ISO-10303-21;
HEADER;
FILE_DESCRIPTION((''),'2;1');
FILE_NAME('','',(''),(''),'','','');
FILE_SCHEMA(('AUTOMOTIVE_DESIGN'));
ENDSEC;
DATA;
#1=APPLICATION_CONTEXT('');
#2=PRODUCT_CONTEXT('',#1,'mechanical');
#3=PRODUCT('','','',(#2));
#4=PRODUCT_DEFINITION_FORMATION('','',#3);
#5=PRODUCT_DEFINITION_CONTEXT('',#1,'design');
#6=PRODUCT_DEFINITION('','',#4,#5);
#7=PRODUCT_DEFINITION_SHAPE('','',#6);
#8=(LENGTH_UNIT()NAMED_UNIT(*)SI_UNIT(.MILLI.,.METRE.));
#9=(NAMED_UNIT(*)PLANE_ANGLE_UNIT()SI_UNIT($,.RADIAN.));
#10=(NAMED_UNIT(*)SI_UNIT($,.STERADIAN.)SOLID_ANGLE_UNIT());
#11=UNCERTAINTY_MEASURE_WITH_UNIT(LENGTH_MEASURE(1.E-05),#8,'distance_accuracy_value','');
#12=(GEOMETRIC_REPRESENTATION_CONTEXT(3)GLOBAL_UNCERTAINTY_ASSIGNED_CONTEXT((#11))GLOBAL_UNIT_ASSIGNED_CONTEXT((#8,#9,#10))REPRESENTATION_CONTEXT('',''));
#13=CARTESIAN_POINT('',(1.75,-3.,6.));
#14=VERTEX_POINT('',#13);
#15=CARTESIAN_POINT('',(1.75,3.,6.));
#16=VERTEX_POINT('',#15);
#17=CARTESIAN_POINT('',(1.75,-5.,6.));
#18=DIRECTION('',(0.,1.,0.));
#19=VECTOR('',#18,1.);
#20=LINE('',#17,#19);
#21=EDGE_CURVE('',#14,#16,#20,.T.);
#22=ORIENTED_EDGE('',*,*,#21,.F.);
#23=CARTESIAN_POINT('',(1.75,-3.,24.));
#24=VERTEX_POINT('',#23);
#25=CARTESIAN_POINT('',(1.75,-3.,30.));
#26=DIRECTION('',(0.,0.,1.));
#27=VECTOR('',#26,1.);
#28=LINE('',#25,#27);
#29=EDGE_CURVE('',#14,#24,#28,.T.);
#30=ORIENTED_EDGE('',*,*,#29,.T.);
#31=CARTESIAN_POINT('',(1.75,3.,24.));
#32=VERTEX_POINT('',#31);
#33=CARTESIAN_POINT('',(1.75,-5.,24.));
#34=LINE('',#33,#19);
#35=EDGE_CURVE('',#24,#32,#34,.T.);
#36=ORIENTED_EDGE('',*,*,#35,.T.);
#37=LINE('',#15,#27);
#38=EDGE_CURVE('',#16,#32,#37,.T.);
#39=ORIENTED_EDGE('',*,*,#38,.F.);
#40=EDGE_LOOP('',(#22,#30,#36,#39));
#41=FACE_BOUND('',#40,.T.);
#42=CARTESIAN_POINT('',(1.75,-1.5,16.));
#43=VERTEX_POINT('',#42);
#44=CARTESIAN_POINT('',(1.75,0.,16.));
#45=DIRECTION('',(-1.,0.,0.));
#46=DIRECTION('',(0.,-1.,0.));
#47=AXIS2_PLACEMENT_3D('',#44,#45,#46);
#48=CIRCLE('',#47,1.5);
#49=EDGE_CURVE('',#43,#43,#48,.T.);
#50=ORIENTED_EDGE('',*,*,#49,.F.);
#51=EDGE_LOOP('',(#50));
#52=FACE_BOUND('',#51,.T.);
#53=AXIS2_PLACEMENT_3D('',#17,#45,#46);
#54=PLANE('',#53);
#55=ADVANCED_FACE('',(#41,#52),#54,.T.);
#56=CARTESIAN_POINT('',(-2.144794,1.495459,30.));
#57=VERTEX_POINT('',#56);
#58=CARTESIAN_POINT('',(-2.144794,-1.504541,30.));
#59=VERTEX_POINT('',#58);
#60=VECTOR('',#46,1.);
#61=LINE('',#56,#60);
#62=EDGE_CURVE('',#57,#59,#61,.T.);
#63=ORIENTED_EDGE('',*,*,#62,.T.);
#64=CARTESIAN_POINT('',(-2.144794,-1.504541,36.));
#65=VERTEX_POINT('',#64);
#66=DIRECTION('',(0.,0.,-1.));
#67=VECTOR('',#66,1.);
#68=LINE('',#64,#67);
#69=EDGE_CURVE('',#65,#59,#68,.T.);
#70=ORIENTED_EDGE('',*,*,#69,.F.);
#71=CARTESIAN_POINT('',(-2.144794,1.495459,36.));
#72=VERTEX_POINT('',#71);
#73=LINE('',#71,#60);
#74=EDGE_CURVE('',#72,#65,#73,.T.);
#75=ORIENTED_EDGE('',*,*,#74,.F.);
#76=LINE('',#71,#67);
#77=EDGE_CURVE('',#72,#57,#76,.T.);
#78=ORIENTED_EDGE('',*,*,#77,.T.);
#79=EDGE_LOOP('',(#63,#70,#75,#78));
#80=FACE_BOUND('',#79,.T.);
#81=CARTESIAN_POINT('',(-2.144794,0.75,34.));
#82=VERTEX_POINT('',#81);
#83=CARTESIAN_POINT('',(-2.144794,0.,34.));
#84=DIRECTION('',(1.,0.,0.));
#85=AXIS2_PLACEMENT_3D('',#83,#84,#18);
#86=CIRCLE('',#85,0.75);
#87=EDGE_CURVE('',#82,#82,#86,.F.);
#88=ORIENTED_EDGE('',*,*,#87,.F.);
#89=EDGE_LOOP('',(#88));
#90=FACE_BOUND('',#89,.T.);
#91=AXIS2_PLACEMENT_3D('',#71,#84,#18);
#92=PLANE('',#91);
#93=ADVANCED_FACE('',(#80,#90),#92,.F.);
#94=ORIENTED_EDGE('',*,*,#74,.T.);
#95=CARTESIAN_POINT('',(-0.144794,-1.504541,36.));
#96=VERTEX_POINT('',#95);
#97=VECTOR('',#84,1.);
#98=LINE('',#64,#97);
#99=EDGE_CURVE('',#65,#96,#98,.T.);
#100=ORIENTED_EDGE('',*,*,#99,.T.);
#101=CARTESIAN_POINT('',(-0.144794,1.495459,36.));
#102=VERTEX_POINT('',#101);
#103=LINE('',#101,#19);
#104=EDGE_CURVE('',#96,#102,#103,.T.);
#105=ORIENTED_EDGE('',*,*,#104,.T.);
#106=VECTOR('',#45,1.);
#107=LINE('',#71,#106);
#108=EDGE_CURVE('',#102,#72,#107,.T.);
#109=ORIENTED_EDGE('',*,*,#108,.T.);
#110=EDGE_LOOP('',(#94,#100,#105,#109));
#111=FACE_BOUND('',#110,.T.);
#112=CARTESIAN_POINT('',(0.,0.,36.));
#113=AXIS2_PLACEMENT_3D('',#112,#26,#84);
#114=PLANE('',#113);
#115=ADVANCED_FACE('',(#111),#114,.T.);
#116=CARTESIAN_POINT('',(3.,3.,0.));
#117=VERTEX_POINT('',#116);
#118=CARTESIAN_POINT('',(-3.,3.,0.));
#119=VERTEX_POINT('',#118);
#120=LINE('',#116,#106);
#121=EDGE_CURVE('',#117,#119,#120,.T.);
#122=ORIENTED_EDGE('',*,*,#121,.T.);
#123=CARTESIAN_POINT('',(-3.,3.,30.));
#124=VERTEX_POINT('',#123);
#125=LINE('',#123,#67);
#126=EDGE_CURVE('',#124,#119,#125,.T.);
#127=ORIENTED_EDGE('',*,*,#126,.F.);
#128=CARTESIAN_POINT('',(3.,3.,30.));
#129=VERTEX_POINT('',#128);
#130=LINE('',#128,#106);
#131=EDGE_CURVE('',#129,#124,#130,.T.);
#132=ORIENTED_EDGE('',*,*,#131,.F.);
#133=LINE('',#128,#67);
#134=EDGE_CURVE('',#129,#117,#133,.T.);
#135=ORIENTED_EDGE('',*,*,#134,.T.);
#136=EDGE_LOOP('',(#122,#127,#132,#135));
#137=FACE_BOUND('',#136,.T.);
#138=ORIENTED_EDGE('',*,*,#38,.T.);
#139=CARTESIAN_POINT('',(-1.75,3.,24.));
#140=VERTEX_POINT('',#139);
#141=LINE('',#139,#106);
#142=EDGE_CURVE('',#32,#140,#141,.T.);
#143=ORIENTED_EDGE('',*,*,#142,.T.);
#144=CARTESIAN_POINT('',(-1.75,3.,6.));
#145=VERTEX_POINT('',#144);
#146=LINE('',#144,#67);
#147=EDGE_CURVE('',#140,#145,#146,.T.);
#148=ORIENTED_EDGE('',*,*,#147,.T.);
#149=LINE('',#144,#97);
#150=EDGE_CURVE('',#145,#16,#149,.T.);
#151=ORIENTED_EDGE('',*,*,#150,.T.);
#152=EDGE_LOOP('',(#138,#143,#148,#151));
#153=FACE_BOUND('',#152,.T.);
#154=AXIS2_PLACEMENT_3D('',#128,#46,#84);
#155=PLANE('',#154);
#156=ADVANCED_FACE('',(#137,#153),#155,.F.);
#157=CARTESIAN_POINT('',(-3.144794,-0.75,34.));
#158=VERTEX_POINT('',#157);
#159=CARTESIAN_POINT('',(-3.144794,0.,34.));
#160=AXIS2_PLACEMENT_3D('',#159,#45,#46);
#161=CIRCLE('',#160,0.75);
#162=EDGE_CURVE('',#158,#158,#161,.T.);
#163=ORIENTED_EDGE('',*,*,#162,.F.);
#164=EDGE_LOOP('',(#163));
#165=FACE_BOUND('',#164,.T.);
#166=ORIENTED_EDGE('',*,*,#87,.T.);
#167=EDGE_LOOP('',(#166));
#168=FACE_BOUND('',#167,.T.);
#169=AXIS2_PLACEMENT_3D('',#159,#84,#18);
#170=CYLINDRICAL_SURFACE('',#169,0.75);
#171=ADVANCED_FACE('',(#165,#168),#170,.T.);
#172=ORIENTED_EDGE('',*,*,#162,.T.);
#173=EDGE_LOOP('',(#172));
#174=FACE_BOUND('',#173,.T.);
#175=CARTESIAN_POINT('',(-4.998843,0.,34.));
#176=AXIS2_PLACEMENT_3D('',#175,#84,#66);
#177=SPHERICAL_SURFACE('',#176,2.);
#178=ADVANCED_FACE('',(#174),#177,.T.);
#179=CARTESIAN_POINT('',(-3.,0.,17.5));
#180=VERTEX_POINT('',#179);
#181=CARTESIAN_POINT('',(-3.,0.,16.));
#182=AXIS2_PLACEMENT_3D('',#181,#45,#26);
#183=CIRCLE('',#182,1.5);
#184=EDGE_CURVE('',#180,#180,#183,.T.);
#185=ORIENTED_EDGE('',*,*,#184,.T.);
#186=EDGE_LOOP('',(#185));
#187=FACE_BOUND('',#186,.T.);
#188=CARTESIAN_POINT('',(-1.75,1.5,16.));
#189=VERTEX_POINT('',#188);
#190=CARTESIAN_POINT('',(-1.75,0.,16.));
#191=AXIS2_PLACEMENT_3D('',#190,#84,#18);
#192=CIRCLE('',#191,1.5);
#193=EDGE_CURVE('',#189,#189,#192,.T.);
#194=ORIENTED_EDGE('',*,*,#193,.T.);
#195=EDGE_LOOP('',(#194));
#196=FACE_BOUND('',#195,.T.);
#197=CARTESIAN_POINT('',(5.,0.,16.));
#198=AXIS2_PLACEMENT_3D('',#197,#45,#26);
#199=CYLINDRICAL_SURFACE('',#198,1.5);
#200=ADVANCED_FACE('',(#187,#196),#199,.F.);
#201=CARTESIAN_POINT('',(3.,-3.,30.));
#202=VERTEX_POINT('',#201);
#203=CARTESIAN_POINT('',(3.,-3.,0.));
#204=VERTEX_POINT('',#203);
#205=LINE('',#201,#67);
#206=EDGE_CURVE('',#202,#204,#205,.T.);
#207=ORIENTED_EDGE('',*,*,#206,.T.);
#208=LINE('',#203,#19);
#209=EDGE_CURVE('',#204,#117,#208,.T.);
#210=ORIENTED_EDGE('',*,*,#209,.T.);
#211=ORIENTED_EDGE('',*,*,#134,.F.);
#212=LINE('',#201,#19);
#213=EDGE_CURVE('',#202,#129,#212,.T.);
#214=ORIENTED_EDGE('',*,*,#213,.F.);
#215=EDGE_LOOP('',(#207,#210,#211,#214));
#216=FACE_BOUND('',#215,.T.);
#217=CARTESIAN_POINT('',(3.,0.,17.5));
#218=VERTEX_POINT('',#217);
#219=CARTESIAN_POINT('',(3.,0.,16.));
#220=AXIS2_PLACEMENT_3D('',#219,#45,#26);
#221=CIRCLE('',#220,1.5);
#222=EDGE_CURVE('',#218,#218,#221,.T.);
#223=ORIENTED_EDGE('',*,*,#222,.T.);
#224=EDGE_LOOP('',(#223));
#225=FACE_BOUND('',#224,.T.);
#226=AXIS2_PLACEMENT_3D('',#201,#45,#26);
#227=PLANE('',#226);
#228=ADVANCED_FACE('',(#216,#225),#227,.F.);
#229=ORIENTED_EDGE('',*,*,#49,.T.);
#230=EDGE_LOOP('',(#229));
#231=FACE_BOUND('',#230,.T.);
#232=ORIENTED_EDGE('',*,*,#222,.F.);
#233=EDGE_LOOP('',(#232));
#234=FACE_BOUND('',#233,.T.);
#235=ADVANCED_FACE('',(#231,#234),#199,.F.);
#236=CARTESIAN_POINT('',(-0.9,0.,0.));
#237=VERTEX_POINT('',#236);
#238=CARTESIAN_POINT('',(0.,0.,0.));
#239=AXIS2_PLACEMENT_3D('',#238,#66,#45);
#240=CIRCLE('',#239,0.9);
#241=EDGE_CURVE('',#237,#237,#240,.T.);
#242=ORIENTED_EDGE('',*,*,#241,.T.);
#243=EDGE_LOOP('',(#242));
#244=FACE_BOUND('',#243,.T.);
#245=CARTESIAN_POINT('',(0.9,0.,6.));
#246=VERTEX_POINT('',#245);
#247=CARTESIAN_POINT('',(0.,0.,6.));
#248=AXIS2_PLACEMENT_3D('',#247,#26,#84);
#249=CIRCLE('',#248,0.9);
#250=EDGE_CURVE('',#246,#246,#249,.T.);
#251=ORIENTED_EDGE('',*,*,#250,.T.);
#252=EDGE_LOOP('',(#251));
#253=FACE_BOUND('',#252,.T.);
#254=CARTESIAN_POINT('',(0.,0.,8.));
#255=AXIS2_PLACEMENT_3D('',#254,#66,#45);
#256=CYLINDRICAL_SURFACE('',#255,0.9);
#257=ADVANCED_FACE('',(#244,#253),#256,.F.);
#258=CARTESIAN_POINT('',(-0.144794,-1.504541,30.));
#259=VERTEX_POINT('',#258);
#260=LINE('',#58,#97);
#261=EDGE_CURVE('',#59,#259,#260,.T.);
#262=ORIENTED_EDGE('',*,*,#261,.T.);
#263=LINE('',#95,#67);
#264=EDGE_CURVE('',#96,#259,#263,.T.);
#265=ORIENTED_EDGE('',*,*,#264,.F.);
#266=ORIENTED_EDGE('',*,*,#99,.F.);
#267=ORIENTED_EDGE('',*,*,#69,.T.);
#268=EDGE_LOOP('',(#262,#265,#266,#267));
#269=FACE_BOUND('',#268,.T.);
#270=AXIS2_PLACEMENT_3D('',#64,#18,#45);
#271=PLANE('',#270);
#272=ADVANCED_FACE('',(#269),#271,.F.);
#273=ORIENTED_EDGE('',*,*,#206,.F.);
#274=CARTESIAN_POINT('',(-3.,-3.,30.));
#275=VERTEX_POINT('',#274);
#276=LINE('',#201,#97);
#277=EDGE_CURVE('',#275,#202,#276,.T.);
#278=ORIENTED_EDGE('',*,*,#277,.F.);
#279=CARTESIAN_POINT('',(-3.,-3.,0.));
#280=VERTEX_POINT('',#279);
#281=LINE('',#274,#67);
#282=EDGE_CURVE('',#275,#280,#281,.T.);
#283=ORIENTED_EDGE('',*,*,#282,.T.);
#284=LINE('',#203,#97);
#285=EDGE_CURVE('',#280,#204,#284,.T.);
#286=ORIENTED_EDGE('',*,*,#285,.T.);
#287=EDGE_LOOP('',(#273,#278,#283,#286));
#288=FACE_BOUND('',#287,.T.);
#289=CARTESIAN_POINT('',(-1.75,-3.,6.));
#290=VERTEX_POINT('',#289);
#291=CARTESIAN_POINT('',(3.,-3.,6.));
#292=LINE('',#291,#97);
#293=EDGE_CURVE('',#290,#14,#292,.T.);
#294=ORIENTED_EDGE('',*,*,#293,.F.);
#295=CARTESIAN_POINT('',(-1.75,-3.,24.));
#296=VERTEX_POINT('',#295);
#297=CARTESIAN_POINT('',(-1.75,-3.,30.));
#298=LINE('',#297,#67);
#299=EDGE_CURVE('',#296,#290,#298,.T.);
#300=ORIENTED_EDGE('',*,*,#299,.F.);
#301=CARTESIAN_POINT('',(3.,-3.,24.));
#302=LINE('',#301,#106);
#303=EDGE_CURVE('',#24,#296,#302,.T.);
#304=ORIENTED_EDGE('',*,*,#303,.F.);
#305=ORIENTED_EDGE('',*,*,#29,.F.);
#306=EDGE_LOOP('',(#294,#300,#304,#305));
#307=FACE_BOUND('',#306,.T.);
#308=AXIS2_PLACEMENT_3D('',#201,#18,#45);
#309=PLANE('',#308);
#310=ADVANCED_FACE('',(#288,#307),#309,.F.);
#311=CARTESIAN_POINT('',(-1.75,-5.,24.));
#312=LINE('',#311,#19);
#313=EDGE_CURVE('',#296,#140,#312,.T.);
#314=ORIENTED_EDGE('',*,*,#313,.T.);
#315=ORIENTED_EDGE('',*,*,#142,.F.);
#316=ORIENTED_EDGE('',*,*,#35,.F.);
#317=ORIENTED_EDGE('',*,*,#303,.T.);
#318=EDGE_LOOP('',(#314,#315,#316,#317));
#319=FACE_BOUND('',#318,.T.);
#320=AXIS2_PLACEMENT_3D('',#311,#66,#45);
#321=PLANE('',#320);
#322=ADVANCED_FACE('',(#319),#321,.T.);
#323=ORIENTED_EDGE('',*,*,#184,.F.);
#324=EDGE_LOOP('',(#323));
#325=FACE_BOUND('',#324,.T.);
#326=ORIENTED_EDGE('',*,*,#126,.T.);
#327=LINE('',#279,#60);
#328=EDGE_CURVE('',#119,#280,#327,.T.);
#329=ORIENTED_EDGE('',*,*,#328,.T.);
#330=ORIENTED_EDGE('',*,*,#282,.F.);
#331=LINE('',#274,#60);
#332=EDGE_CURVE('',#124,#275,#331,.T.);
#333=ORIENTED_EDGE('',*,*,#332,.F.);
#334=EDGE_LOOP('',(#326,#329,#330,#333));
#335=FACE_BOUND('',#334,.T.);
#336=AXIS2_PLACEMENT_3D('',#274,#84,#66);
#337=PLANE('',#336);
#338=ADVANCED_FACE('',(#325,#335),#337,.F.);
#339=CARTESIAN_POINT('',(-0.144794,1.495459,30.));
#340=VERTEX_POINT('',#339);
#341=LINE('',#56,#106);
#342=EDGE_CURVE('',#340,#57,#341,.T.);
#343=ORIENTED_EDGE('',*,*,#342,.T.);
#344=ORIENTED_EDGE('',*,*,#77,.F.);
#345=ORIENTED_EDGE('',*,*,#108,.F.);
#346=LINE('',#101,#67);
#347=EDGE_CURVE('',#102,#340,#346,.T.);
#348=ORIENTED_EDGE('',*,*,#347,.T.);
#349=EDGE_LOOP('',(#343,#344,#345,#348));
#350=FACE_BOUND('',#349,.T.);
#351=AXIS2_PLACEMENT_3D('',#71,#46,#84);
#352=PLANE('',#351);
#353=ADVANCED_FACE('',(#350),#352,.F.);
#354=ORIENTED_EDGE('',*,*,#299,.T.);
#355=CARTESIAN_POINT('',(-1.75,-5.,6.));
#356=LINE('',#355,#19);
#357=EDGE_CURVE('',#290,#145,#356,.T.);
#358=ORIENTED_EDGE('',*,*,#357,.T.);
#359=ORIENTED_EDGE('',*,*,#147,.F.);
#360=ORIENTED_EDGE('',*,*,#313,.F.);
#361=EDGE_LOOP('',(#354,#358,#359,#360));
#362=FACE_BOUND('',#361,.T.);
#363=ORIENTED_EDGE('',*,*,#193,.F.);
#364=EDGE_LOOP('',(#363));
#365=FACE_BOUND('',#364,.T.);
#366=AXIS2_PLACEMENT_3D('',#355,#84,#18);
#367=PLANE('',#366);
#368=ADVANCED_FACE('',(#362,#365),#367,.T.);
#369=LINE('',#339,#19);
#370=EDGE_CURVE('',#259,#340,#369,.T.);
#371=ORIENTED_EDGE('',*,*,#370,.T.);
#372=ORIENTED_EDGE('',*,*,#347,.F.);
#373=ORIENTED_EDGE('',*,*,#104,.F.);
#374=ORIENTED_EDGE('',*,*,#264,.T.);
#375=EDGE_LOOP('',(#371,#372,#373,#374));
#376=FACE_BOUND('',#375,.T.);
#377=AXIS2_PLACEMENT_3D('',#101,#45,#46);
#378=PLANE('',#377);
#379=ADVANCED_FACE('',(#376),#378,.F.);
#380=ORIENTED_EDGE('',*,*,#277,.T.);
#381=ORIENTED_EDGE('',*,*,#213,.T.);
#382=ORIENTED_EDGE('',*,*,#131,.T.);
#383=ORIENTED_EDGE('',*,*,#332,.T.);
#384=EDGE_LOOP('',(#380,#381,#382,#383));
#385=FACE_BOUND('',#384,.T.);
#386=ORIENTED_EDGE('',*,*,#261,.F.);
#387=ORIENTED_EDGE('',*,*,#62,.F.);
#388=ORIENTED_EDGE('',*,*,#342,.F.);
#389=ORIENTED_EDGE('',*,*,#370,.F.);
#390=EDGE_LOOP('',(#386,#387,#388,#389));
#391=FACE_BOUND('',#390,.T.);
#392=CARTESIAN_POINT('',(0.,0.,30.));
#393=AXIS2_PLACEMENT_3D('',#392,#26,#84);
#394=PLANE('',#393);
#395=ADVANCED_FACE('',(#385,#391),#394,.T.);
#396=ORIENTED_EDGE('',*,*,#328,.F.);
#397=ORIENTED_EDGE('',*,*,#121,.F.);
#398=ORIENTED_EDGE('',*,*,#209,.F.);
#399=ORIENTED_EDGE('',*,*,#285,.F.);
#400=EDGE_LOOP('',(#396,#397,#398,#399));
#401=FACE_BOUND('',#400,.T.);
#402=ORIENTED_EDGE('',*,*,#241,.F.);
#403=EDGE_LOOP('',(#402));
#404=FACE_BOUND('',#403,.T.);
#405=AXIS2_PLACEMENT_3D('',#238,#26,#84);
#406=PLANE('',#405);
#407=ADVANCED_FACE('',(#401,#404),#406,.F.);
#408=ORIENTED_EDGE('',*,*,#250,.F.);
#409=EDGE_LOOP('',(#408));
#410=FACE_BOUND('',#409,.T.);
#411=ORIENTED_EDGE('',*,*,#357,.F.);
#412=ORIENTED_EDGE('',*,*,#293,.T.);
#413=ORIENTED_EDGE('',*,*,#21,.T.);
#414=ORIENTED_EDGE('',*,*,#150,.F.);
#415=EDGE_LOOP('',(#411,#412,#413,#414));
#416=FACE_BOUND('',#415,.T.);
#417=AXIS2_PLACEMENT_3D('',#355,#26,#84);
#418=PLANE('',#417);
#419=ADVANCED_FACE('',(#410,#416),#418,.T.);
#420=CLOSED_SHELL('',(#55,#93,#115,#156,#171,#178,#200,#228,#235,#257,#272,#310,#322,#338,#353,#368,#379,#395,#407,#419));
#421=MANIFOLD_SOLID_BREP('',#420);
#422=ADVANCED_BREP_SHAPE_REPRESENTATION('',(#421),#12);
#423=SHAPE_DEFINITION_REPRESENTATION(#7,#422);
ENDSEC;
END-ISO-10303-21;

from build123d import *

# Parameters (mm, degrees)
SKETCH_1_W          = 6
SKETCH_1_H          = 6
EXTRUDE_1_DEPTH     = 30
SKETCH_2_W          = 2
SKETCH_2_H          = 3
EXTRUDE_2_DEPTH     = 6
SKETCH_3_R          = 0.75
EXTRUDE_3_DEPTH     = 1
SKETCH_5_W          = 18
SKETCH_5_H          = 3.5
CUT_EXTRUDE_1_DEPTH = 8
SKETCH_6_R          = 1.5
CUT_EXTRUDE_2_DEPTH = 8
SKETCH_7_R          = 0.9
CUT_EXTRUDE_3_DEPTH = 8


with BuildPart() as part:
    # 草图1 → 凸台-拉伸1 (new body)
    with BuildSketch(Plane.XY):
        Rectangle(SKETCH_1_W, SKETCH_1_H)
    extrude(amount=EXTRUDE_1_DEPTH)

    # 草图2 → 凸台-拉伸2 (add)
    with BuildSketch(Plane.XY.offset(30)):
        with Locations((-1.14479355, -0.004540815)):
            Rectangle(SKETCH_2_W, SKETCH_2_H)
    extrude(amount=EXTRUDE_2_DEPTH)

    # 草图3 → 凸台-拉伸3 (add)
    with BuildSketch(Plane.ZY.offset(2.14479355)):
        with Locations(Location((34, 0, 0), (0, 0, 90))):
            Circle(SKETCH_3_R)
    extrude(amount=EXTRUDE_3_DEPTH)

    # 草图4 → 旋转1 (revolve)
    with BuildSketch(Plane(origin=(0, 0, 0), x_dir=(1, 0, 0), z_dir=(0, 1, 0))):
        with BuildLine():
            Line((-3.14479355, -34), (-6.998843172, -34))
            ThreePointArc((-6.998843172, -34), (-5.380877697, -32.036826645), (-3.14479355, -33.25))
            Line((-3.14479355, -33.25), (-3.14479355, -34))
        make_face()
    revolve(axis=Axis((-3.14479355, 0, 34), (-1, 0, 0)))

    # 草图5 → 切除-拉伸1 (cut)
    with BuildSketch(Plane(origin=(0.5, 3, 0), x_dir=(0, 0, 1), z_dir=(0, -1, 0))):
        with Locations((15, 0.5)):
            Rectangle(SKETCH_5_W, SKETCH_5_H)
    extrude(amount=CUT_EXTRUDE_1_DEPTH, mode=Mode.SUBTRACT)

    # 草图6 → 切除-拉伸2 (cut)
    with BuildSketch(Plane.ZY.offset(3)):
        with Locations((16, 0)):
            Circle(SKETCH_6_R)
    extrude(amount=-CUT_EXTRUDE_2_DEPTH, mode=Mode.SUBTRACT)

    # 草图7 → 切除-拉伸3 (cut)
    with BuildSketch(Plane(origin=(0, 0, 0), x_dir=(-1, 0, 0), z_dir=(0, 0, -1))):
        Circle(SKETCH_7_R)
    extrude(amount=-CUT_EXTRUDE_3_DEPTH, mode=Mode.SUBTRACT)


solid = part.part
